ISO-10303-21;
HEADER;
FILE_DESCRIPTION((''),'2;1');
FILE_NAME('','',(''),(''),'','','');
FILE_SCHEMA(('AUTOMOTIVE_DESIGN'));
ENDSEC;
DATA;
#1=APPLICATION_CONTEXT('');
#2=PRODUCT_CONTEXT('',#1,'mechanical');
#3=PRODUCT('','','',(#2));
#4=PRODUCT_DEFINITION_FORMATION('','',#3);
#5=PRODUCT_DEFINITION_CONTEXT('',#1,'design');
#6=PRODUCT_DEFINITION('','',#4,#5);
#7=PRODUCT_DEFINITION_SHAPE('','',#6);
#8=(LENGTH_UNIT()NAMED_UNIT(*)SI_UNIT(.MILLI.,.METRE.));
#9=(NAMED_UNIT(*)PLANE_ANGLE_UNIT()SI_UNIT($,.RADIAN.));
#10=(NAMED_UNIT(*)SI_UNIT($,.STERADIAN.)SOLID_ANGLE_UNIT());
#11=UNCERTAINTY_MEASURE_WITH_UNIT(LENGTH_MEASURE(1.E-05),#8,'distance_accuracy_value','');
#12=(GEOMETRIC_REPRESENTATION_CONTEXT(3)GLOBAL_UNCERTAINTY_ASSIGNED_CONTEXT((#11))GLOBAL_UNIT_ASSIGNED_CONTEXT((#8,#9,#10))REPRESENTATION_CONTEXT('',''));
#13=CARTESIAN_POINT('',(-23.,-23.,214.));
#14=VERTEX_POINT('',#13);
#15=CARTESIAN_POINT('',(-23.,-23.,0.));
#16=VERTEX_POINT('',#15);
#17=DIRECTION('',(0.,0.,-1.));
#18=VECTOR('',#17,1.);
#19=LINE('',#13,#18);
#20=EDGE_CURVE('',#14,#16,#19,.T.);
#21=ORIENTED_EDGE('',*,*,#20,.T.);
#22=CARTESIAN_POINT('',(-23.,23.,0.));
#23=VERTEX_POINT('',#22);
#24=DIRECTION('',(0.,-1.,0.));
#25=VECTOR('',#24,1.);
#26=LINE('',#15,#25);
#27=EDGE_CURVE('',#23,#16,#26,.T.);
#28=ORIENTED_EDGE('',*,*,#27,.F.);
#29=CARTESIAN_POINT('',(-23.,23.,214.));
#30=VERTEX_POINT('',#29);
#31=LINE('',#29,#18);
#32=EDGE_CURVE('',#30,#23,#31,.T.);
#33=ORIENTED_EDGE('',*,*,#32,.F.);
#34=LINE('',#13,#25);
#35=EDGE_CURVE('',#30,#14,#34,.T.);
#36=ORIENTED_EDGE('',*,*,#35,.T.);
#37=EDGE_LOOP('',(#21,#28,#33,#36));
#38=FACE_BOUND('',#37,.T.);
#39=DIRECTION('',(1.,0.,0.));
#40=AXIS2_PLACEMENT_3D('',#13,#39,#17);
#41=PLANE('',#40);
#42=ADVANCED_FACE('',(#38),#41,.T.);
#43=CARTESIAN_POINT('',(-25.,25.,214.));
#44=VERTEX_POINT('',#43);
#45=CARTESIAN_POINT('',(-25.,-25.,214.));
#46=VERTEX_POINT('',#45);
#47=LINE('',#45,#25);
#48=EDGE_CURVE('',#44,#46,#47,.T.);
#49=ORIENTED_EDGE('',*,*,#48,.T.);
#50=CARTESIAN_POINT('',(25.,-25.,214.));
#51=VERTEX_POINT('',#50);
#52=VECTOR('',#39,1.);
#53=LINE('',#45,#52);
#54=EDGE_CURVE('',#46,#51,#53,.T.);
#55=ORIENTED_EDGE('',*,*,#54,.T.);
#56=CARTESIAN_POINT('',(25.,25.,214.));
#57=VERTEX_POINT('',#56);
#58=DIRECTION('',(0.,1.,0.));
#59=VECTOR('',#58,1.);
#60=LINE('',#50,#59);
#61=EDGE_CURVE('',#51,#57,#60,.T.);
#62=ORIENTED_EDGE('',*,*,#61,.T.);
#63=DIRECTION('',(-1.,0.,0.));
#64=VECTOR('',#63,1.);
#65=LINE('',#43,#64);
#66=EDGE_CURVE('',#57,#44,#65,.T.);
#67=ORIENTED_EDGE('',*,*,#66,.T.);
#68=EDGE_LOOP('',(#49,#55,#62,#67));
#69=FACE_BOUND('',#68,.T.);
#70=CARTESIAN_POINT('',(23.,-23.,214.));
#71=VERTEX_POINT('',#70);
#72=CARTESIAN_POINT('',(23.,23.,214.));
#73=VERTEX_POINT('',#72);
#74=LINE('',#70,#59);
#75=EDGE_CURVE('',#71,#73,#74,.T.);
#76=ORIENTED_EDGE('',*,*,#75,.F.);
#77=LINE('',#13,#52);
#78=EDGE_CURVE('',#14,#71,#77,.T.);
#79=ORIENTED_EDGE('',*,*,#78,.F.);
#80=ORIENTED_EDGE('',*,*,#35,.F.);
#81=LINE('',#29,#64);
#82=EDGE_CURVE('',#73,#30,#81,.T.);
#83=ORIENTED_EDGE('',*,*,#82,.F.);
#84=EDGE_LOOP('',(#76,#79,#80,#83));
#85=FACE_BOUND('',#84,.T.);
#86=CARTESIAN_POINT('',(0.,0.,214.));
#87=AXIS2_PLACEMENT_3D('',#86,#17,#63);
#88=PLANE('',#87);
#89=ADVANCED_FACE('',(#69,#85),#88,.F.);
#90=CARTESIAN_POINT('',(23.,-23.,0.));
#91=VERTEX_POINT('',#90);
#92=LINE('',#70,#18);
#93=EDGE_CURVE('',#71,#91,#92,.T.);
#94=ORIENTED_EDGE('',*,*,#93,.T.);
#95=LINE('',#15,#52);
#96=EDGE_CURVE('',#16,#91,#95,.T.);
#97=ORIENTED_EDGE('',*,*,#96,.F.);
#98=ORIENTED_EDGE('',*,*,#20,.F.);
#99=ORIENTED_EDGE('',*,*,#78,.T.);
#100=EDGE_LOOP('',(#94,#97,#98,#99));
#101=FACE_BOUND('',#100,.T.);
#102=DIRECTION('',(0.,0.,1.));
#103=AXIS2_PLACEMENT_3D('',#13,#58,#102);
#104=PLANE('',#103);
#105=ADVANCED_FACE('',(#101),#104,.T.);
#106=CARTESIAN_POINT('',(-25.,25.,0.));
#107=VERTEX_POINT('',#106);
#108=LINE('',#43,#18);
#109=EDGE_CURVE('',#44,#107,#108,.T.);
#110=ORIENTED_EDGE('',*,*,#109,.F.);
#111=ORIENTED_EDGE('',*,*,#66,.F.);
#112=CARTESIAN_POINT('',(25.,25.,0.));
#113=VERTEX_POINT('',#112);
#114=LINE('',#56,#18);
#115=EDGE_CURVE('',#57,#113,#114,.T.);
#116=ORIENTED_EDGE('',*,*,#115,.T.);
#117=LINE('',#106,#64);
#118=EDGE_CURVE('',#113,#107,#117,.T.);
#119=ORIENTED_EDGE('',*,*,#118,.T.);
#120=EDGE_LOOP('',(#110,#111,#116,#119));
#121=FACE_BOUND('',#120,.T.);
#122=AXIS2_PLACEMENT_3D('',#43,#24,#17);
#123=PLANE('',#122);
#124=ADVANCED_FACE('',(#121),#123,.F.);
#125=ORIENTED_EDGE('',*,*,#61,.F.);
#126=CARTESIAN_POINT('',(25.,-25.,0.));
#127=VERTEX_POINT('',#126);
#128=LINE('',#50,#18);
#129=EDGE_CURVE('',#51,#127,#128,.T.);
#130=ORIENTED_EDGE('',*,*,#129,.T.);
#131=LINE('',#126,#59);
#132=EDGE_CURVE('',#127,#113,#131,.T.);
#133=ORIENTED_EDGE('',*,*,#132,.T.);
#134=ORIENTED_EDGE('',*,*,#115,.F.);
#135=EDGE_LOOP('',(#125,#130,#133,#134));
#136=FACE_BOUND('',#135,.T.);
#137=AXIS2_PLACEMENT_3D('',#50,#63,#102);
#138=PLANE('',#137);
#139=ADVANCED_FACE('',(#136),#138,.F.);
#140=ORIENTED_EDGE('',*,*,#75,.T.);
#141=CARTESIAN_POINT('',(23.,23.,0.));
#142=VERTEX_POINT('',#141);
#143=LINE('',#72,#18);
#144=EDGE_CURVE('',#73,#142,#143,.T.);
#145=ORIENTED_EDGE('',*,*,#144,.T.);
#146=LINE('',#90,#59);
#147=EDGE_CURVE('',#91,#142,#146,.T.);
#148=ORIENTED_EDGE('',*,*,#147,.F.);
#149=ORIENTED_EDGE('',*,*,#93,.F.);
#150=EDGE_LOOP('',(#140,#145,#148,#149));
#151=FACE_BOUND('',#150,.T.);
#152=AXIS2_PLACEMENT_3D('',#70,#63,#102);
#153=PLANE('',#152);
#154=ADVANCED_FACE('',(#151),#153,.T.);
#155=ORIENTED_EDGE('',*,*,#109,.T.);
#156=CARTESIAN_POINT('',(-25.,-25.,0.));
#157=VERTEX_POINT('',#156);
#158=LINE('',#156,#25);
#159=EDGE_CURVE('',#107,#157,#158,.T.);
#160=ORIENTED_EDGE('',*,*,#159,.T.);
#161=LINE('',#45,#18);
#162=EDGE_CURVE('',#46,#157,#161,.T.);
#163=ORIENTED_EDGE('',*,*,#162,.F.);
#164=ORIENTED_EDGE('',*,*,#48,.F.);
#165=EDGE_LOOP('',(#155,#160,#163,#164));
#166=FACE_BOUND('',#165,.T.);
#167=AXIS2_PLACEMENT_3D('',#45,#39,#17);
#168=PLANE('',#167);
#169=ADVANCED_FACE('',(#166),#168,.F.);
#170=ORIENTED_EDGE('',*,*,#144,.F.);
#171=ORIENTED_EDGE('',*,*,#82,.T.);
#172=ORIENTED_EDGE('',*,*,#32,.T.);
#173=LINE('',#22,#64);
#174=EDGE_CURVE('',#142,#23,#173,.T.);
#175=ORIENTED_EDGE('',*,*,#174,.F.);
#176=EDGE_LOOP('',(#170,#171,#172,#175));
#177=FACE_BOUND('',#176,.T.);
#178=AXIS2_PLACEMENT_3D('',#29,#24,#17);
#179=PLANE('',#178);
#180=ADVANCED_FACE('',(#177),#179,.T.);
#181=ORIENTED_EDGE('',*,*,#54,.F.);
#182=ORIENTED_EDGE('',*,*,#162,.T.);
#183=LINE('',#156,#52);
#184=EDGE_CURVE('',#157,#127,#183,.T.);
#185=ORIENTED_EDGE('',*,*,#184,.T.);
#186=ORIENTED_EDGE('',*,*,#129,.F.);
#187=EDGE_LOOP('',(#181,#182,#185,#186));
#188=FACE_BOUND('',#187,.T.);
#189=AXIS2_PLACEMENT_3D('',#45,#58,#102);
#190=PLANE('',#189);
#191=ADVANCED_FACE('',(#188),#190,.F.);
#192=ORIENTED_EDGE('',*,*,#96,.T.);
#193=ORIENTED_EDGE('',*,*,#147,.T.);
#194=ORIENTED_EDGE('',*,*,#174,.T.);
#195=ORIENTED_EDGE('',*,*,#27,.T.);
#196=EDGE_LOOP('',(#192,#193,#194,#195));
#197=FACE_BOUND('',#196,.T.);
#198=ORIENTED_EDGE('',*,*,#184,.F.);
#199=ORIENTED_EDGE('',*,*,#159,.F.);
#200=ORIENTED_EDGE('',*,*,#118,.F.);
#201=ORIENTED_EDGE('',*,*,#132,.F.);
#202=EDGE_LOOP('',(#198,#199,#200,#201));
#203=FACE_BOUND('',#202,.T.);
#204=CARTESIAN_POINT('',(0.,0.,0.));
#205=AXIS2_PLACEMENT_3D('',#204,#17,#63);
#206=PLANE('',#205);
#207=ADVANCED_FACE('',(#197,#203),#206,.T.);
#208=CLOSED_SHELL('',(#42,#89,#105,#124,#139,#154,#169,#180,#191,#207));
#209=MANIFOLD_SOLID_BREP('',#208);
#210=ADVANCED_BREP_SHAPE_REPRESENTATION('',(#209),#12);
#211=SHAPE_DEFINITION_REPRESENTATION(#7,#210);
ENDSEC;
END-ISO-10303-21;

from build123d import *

# Parameters (mm, degrees)
SKETCH1_W           = 50
SKETCH1_H           = 50
SKETCH1_W_2         = 46
SKETCH1_H_2         = 46
BOSS_EXTRUDE1_DEPTH = 214


with BuildPart() as part:
    # Sketch1 → Boss-Extrude1 (new body)
    with BuildSketch(Plane.XY):
        Rectangle(SKETCH1_W, SKETCH1_H)
        Rectangle(SKETCH1_W_2, SKETCH1_H_2, mode=Mode.SUBTRACT)
    extrude(amount=BOSS_EXTRUDE1_DEPTH)


solid = part.part
